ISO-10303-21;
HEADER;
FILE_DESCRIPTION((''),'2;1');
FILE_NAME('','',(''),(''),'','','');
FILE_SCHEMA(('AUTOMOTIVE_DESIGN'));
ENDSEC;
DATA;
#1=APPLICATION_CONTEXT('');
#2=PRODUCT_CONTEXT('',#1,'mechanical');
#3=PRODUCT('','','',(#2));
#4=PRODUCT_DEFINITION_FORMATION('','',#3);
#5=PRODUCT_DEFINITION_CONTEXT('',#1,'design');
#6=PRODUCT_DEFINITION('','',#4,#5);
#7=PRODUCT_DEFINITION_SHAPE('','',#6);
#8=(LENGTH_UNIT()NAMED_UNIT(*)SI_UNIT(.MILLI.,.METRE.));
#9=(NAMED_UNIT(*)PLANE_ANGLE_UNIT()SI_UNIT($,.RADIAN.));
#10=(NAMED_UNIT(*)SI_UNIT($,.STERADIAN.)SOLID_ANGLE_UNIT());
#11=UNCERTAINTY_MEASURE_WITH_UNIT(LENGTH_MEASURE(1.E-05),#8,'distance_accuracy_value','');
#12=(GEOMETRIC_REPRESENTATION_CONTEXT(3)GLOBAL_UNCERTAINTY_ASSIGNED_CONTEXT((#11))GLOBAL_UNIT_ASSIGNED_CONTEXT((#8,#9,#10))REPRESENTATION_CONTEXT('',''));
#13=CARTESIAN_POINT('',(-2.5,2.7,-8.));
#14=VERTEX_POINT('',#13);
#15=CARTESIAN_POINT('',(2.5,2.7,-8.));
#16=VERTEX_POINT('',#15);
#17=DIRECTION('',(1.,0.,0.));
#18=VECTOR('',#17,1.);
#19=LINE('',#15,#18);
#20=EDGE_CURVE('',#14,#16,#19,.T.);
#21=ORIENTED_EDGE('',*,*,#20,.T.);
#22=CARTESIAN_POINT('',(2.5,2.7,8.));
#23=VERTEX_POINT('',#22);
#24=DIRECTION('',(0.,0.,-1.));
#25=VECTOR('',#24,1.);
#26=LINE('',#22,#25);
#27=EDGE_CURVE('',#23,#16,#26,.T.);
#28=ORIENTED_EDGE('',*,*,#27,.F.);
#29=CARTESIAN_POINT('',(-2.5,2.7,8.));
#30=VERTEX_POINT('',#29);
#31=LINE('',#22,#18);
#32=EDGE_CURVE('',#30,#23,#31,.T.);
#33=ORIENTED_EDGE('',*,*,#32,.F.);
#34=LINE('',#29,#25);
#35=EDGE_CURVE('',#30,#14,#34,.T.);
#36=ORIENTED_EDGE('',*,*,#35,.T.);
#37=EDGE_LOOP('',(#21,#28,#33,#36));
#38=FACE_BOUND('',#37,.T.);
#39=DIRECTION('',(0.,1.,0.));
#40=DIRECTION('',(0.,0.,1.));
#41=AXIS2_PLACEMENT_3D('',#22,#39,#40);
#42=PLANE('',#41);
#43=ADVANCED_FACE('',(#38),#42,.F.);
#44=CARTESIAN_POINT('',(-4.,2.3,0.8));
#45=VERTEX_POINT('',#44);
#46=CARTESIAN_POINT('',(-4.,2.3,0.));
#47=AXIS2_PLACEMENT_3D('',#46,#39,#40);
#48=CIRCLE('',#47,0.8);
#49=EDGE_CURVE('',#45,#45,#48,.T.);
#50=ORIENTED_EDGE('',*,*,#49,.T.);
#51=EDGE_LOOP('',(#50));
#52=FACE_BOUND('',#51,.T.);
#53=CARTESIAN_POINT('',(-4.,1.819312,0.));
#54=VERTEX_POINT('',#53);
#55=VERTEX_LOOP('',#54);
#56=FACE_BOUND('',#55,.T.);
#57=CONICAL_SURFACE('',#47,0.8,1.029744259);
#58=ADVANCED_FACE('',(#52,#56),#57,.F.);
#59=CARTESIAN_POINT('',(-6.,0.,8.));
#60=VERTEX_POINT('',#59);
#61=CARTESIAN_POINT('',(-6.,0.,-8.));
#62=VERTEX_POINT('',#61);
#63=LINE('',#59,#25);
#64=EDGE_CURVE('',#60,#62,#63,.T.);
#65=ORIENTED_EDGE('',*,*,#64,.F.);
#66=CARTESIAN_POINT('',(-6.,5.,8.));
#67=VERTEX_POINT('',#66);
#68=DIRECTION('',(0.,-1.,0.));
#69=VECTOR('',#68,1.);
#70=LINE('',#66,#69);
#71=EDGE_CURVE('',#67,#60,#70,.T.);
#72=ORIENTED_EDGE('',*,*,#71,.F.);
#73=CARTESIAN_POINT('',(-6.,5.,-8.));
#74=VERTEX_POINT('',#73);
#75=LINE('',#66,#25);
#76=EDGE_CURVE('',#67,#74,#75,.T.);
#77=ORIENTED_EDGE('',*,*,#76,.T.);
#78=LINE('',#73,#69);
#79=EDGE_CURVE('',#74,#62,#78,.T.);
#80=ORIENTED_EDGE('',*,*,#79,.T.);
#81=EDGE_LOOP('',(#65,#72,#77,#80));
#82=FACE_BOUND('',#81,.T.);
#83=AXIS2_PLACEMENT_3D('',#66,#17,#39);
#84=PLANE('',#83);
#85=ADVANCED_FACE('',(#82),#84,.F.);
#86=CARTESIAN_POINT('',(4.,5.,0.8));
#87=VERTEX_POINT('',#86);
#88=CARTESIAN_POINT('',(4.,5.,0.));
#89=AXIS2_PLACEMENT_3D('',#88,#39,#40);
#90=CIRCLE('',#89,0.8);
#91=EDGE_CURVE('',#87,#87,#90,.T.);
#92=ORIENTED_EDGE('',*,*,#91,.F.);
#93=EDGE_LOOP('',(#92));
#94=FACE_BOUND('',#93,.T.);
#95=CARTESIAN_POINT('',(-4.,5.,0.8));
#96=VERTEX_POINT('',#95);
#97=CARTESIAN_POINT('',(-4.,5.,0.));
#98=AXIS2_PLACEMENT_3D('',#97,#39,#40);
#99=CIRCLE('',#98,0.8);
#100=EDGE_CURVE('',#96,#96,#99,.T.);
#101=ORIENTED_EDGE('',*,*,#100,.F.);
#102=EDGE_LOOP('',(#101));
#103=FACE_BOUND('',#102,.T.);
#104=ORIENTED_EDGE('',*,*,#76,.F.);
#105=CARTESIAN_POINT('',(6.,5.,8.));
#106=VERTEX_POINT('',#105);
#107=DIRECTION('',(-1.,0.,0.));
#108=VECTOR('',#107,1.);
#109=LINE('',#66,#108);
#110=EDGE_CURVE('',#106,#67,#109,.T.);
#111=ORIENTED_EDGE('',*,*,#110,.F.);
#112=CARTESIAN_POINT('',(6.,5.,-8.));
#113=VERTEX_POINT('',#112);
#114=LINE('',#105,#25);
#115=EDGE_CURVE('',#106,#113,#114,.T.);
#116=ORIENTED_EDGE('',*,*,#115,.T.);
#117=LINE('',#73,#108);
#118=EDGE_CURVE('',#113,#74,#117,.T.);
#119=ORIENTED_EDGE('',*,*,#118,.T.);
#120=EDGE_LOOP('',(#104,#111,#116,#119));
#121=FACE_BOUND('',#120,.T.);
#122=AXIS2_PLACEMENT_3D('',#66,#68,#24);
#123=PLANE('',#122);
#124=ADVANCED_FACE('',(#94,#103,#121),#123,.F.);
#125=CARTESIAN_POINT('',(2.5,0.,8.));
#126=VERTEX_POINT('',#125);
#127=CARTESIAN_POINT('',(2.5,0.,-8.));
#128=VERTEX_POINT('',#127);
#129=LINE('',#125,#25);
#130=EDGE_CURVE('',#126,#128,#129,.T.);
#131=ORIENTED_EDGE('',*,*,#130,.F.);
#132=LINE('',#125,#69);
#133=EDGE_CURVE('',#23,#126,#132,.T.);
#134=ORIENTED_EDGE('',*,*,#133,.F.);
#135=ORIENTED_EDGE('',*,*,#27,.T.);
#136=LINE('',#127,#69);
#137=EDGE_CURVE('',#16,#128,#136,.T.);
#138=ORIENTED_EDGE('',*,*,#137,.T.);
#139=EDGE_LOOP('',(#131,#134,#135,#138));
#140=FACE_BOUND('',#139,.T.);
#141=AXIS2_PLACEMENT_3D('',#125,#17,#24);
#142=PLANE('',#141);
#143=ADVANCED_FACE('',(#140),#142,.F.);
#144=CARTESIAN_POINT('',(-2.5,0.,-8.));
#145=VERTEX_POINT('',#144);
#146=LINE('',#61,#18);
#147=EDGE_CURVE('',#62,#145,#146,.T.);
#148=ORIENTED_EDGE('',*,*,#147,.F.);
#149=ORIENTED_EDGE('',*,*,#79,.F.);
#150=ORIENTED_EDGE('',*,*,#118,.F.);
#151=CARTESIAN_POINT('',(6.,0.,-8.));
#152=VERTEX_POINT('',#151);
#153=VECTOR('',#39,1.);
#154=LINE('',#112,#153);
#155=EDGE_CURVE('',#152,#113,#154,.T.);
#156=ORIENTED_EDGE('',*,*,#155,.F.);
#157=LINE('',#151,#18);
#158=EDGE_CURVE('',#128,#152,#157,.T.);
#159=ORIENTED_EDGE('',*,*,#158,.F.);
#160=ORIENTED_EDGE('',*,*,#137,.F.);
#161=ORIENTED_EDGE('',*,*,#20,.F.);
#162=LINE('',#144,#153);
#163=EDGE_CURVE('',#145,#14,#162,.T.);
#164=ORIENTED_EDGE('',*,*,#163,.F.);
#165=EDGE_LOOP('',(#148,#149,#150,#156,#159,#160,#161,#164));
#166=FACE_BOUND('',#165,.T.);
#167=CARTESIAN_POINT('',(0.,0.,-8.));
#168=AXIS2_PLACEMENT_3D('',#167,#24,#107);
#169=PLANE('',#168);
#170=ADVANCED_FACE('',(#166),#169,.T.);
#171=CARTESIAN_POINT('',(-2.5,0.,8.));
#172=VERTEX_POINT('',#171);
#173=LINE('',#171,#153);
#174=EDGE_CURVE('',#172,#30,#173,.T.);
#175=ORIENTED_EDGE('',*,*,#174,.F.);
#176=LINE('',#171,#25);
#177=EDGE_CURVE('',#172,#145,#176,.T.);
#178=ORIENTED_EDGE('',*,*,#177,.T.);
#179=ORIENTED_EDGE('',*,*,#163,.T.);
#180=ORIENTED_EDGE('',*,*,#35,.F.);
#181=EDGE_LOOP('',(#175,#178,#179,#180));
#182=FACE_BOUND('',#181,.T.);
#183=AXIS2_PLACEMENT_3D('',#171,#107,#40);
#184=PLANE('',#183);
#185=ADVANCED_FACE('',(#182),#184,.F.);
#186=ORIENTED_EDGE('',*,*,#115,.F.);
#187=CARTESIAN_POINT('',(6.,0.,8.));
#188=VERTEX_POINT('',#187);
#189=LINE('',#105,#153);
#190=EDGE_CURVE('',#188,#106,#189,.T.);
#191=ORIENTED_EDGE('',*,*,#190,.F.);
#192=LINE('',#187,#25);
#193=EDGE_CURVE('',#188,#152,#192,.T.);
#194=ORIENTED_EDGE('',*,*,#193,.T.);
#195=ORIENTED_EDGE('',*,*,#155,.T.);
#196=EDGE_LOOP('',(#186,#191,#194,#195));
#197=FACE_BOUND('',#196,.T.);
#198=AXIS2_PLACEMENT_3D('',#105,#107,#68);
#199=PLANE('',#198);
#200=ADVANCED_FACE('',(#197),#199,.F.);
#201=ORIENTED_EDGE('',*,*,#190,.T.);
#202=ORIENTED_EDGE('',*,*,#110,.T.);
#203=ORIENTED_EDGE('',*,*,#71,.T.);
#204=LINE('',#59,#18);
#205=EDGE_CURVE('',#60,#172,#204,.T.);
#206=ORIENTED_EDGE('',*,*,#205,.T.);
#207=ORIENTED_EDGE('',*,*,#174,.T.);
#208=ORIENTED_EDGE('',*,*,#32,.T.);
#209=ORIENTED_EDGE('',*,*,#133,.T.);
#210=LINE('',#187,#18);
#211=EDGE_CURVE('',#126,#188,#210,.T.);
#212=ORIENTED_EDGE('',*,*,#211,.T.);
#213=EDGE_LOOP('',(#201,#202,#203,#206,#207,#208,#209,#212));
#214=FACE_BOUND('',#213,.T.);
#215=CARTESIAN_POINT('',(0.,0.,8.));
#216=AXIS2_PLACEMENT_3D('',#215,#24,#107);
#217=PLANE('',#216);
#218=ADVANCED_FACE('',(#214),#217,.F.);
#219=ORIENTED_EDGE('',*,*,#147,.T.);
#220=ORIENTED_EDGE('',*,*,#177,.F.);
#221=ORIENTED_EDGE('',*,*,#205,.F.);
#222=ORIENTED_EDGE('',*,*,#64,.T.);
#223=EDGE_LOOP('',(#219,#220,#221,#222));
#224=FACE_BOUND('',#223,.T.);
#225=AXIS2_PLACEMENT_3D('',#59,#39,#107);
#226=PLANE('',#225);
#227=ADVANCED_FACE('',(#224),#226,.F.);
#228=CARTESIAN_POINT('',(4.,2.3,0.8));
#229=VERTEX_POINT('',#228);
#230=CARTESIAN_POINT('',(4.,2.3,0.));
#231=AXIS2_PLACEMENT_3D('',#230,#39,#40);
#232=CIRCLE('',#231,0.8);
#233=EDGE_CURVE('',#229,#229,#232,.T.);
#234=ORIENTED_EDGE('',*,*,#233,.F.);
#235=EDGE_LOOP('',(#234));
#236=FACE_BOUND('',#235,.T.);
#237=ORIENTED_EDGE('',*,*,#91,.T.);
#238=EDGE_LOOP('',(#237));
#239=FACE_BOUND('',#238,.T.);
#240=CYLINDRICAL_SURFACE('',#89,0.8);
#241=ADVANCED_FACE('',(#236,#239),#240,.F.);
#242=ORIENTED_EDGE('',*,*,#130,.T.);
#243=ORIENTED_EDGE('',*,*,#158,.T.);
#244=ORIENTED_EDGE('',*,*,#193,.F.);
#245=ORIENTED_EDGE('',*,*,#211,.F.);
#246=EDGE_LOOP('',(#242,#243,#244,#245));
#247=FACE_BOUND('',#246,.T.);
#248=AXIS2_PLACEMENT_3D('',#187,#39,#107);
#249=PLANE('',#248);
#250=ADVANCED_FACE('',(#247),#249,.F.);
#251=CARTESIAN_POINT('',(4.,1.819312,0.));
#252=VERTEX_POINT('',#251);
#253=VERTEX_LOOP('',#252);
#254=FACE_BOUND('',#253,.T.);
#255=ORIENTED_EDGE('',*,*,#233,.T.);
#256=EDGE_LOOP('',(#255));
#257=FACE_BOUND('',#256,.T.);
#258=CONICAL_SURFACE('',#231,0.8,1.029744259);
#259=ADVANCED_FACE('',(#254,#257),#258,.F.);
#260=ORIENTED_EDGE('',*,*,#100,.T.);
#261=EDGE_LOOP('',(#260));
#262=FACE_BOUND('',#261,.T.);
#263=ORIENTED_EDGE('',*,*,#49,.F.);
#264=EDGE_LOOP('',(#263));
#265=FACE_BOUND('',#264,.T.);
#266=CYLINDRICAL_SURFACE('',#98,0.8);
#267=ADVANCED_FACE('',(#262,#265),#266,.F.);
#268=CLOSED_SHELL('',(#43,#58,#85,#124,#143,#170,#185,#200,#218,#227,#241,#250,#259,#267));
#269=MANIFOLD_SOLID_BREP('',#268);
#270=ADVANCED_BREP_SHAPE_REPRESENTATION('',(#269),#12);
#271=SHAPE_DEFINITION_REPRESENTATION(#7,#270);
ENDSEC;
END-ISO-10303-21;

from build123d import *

# Parameters (mm, degrees)
EXTRUDE_1_DEPTH        = 8
HOLE_WIZARD_M2_1_D     = 1.6
HOLE_WIZARD_M2_1_DEPTH = 2.7
HOLE_WIZARD_M2_1_TIP   = 0.480688495


with BuildPart() as part:
    # 草图1 → 凸台-拉伸1 (new, symmetric)
    with BuildSketch(Plane.XY):
        Polygon((-6, 5), (6, 5), (6, 0), (2.5, 0), (2.5, 2.7), (-2.5, 2.7), (-2.5, 0), (-6, 0), align=None)
    extrude(amount=EXTRUDE_1_DEPTH, both=True)

    # M2 螺纹孔1
    with Locations(Plane(origin=(0, 5, 0), x_dir=(1, 0, 0), z_dir=(0, 1, 0))):
        with Locations((-4, 0), (4, 0)):
            Hole(HOLE_WIZARD_M2_1_D / 2, depth=HOLE_WIZARD_M2_1_DEPTH)
            with Locations((0, 0, -(HOLE_WIZARD_M2_1_DEPTH + HOLE_WIZARD_M2_1_TIP / 2))):  # 118° drill point
                Cone(0, HOLE_WIZARD_M2_1_D / 2, HOLE_WIZARD_M2_1_TIP, mode=Mode.SUBTRACT)


solid = part.part
